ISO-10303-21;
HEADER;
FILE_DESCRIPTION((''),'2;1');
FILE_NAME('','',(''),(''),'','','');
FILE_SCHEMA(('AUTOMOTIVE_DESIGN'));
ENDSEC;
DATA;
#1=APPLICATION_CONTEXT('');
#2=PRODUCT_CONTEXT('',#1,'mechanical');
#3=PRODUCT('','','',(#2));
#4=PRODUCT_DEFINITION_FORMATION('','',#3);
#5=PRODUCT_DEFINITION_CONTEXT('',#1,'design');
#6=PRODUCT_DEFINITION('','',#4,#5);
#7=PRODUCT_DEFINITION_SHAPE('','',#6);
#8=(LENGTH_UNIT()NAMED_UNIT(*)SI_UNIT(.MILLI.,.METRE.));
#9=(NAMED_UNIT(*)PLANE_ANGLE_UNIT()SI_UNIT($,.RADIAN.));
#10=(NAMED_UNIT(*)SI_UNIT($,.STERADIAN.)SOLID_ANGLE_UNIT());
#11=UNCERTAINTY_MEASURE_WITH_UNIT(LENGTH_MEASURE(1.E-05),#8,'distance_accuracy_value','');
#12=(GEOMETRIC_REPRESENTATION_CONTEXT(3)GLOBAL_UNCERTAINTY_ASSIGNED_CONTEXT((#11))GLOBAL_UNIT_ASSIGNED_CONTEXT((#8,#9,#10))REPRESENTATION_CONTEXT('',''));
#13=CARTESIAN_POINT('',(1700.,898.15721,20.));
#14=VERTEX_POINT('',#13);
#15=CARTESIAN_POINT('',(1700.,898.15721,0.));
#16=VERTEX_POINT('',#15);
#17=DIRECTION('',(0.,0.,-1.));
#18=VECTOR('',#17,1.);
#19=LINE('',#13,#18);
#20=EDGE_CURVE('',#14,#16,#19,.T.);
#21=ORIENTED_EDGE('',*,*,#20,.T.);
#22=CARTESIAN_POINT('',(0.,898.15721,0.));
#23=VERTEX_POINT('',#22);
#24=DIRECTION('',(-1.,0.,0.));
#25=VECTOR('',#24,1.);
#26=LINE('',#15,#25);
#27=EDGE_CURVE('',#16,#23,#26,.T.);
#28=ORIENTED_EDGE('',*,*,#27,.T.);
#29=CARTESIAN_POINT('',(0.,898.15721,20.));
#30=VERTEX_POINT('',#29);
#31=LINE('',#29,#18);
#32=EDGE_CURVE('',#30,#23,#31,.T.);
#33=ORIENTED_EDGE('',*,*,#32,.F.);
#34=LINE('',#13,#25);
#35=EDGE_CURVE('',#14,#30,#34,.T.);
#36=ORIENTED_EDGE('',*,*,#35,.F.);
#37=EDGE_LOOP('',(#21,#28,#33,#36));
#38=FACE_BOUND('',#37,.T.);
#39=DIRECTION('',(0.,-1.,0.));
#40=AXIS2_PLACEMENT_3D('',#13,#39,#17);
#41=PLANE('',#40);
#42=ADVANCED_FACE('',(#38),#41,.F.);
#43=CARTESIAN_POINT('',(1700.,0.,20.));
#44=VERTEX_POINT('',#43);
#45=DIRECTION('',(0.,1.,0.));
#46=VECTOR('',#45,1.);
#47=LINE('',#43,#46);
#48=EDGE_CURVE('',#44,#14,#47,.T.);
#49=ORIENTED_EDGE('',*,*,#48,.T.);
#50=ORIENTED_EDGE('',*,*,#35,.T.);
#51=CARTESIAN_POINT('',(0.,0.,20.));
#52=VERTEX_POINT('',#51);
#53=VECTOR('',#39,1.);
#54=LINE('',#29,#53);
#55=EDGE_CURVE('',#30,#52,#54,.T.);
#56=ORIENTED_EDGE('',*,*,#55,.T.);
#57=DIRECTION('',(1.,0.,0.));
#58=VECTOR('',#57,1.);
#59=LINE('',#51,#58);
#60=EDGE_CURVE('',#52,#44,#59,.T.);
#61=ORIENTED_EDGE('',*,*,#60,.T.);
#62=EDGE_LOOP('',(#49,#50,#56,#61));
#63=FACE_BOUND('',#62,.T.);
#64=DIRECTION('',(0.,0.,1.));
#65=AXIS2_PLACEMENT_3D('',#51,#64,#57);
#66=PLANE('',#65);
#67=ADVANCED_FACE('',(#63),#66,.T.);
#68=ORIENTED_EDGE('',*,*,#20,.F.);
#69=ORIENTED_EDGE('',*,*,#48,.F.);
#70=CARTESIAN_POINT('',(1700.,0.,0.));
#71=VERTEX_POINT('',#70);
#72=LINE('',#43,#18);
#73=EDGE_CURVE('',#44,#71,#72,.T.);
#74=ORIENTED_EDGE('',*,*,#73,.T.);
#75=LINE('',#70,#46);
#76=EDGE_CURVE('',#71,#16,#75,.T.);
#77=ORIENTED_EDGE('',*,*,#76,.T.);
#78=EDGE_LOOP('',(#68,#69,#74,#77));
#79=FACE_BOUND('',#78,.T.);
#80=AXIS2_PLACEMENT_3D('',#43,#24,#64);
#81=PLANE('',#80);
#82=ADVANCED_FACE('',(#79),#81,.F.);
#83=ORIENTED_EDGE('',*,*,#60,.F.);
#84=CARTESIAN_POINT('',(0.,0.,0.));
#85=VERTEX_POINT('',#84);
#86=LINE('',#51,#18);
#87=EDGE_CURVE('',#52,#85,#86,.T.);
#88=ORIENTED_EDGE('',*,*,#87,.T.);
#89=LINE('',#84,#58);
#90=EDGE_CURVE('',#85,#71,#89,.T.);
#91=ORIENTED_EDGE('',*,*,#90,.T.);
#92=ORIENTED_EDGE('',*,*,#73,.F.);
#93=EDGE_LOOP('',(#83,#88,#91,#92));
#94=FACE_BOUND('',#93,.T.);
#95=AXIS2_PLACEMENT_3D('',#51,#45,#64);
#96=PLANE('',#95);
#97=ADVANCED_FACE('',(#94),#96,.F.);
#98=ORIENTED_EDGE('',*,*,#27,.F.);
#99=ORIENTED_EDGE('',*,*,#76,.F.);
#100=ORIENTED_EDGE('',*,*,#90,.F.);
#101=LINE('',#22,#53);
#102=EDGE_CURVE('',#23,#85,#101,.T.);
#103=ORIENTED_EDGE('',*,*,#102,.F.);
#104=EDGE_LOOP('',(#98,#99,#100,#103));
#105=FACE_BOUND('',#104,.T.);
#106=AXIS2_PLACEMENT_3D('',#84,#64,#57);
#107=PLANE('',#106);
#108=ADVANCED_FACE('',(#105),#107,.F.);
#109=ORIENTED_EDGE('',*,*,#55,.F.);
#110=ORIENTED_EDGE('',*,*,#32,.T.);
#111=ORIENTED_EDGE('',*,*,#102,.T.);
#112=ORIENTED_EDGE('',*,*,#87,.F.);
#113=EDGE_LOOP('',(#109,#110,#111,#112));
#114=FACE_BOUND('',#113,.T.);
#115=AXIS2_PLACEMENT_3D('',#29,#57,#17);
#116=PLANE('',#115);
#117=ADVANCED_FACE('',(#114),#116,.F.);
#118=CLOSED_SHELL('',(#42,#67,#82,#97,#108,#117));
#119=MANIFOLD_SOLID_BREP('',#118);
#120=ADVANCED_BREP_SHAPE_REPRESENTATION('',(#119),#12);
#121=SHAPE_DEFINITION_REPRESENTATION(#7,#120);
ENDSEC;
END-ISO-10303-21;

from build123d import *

# Parameters (mm, degrees)
SKETCH1_W           = 1700
SKETCH1_H           = 898.157210254
BOSS_EXTRUDE1_DEPTH = 20


with BuildPart() as part:
    # Sketch1 → Boss-Extrude1 (new body)
    with BuildSketch(Plane.XY):
        with Locations((850, 449.078605127)):
            Rectangle(SKETCH1_W, SKETCH1_H)
    extrude(amount=BOSS_EXTRUDE1_DEPTH)


solid = part.part
